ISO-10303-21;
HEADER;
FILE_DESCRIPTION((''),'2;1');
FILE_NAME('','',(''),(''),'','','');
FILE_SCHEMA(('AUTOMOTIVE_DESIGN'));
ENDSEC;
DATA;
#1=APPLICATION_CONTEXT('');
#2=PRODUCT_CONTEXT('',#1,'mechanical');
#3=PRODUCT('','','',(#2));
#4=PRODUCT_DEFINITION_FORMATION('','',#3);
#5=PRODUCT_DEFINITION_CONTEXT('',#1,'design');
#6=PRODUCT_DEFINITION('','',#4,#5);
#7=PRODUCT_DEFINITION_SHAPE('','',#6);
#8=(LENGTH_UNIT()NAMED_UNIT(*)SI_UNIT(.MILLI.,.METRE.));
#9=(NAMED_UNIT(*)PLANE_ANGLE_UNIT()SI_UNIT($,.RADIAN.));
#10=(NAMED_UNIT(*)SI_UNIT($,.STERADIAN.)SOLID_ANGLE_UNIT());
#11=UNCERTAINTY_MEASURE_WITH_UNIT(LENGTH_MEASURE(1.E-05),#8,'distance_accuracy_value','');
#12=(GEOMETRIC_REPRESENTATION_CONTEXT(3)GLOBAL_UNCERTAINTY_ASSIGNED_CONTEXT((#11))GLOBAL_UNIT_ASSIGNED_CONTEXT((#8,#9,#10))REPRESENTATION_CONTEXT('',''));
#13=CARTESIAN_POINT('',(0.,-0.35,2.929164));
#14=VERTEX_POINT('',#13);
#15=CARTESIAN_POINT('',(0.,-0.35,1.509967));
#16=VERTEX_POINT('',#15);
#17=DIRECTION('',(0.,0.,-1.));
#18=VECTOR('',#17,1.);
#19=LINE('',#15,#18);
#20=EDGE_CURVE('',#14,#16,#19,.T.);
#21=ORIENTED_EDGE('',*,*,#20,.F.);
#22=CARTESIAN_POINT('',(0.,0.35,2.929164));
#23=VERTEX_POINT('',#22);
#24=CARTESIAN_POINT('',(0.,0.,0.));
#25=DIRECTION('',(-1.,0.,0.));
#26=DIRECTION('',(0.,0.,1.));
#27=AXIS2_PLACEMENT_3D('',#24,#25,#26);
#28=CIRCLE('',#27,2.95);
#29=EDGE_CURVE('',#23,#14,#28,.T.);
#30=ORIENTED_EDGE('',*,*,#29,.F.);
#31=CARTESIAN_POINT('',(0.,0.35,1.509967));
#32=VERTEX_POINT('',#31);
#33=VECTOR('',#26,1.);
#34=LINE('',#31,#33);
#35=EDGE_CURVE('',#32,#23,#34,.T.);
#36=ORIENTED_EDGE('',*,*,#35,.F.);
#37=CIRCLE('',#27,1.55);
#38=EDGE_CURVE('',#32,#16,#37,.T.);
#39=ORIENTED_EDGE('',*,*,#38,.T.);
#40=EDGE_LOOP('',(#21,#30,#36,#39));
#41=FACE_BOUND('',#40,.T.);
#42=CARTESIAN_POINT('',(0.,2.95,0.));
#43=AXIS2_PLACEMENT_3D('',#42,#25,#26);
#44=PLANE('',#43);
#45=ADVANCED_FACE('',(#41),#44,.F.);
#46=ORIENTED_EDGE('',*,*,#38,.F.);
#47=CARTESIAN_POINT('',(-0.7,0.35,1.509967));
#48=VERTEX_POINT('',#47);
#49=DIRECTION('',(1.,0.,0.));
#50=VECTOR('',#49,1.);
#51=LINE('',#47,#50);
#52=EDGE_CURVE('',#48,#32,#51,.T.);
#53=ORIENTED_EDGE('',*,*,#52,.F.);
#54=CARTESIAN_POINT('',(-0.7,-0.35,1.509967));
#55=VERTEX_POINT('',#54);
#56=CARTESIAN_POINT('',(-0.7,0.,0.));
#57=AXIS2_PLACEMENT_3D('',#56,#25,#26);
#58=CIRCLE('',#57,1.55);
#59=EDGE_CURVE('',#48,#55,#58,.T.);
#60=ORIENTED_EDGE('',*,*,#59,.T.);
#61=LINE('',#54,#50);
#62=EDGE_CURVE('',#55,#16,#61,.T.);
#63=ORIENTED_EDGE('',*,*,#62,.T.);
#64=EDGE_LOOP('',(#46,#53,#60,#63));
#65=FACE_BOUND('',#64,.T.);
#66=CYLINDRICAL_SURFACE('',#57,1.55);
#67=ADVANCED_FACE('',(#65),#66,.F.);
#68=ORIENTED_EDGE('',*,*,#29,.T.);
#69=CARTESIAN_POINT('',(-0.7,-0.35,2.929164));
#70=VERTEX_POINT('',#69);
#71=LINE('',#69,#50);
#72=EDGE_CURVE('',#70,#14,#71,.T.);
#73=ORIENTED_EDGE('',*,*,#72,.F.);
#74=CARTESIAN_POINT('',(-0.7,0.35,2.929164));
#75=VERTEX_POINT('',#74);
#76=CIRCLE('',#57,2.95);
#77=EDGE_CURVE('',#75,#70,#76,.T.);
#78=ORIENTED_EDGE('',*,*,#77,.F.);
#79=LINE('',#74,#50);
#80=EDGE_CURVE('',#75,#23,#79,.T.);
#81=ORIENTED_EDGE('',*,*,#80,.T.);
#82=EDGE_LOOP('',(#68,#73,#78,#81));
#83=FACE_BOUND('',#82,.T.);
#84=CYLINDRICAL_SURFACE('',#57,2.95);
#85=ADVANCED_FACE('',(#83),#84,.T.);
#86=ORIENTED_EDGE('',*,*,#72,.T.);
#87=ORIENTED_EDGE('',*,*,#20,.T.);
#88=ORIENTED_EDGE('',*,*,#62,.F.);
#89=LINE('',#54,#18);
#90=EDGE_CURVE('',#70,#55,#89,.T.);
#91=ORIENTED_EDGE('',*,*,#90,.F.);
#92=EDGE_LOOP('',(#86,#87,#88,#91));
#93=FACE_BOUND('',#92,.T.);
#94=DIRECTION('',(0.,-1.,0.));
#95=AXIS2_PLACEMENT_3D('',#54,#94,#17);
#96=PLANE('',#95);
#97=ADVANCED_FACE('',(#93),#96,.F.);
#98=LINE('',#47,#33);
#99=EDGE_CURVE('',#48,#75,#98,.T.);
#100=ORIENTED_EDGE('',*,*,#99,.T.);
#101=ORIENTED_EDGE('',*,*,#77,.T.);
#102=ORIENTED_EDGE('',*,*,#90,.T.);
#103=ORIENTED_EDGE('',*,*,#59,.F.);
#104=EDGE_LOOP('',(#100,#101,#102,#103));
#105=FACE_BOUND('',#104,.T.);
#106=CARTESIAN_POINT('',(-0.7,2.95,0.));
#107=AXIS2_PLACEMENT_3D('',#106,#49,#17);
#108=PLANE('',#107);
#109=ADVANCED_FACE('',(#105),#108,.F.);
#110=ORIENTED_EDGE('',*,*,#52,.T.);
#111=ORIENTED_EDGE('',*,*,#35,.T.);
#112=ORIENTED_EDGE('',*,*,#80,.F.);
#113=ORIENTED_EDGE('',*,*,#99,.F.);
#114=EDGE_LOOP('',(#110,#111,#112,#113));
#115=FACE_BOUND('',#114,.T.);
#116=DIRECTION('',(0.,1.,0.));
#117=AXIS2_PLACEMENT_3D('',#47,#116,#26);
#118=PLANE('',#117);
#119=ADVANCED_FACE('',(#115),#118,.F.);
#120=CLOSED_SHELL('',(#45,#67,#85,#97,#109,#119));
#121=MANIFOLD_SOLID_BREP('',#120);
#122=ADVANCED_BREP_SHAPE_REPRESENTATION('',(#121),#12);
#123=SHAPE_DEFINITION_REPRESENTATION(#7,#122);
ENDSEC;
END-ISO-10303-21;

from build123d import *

# Parameters (mm, degrees)
SKETCH1_W          = 0.7
SKETCH1_H          = 1.4
CUT_EXTRUDE1_DEPTH = 5.23024822


with BuildPart() as part:
    # Sketch1 → Revolve1 (revolve)
    with BuildSketch(Plane.XY, mode=Mode.PRIVATE) as revolve1_sk:
        with Locations((-0.35, 2.25)):
            Rectangle(SKETCH1_W, SKETCH1_H)
    revolve(revolve1_sk.sketch.rotate(Axis((-0.7, 0, 0), (1, 0, 0)), 90), axis=Axis((-0.7, 0, 0), (1, 0, 0)))

    # Sketch2 → Cut-Extrude1 (cut, through all)
    with BuildSketch(Plane(origin=(0, 0, 0), x_dir=(0, 0, -1), z_dir=(1, 0, 0))):
        with BuildLine():
            Line((-1.509966887, -0.35), (-2.929163703, -0.35))
            ThreePointArc((-2.929163703, -0.35), (-2.95, 0), (-2.929163703, 0.35))
            Line((-2.929163703, 0.35), (-1.509966887, 0.35))
            ThreePointArc((-1.509966887, 0.35), (-1.55, 0), (-1.509966887, -0.35))
        make_face()
    extrude(amount=-CUT_EXTRUDE1_DEPTH, mode=Mode.SUBTRACT)


solid = part.part
